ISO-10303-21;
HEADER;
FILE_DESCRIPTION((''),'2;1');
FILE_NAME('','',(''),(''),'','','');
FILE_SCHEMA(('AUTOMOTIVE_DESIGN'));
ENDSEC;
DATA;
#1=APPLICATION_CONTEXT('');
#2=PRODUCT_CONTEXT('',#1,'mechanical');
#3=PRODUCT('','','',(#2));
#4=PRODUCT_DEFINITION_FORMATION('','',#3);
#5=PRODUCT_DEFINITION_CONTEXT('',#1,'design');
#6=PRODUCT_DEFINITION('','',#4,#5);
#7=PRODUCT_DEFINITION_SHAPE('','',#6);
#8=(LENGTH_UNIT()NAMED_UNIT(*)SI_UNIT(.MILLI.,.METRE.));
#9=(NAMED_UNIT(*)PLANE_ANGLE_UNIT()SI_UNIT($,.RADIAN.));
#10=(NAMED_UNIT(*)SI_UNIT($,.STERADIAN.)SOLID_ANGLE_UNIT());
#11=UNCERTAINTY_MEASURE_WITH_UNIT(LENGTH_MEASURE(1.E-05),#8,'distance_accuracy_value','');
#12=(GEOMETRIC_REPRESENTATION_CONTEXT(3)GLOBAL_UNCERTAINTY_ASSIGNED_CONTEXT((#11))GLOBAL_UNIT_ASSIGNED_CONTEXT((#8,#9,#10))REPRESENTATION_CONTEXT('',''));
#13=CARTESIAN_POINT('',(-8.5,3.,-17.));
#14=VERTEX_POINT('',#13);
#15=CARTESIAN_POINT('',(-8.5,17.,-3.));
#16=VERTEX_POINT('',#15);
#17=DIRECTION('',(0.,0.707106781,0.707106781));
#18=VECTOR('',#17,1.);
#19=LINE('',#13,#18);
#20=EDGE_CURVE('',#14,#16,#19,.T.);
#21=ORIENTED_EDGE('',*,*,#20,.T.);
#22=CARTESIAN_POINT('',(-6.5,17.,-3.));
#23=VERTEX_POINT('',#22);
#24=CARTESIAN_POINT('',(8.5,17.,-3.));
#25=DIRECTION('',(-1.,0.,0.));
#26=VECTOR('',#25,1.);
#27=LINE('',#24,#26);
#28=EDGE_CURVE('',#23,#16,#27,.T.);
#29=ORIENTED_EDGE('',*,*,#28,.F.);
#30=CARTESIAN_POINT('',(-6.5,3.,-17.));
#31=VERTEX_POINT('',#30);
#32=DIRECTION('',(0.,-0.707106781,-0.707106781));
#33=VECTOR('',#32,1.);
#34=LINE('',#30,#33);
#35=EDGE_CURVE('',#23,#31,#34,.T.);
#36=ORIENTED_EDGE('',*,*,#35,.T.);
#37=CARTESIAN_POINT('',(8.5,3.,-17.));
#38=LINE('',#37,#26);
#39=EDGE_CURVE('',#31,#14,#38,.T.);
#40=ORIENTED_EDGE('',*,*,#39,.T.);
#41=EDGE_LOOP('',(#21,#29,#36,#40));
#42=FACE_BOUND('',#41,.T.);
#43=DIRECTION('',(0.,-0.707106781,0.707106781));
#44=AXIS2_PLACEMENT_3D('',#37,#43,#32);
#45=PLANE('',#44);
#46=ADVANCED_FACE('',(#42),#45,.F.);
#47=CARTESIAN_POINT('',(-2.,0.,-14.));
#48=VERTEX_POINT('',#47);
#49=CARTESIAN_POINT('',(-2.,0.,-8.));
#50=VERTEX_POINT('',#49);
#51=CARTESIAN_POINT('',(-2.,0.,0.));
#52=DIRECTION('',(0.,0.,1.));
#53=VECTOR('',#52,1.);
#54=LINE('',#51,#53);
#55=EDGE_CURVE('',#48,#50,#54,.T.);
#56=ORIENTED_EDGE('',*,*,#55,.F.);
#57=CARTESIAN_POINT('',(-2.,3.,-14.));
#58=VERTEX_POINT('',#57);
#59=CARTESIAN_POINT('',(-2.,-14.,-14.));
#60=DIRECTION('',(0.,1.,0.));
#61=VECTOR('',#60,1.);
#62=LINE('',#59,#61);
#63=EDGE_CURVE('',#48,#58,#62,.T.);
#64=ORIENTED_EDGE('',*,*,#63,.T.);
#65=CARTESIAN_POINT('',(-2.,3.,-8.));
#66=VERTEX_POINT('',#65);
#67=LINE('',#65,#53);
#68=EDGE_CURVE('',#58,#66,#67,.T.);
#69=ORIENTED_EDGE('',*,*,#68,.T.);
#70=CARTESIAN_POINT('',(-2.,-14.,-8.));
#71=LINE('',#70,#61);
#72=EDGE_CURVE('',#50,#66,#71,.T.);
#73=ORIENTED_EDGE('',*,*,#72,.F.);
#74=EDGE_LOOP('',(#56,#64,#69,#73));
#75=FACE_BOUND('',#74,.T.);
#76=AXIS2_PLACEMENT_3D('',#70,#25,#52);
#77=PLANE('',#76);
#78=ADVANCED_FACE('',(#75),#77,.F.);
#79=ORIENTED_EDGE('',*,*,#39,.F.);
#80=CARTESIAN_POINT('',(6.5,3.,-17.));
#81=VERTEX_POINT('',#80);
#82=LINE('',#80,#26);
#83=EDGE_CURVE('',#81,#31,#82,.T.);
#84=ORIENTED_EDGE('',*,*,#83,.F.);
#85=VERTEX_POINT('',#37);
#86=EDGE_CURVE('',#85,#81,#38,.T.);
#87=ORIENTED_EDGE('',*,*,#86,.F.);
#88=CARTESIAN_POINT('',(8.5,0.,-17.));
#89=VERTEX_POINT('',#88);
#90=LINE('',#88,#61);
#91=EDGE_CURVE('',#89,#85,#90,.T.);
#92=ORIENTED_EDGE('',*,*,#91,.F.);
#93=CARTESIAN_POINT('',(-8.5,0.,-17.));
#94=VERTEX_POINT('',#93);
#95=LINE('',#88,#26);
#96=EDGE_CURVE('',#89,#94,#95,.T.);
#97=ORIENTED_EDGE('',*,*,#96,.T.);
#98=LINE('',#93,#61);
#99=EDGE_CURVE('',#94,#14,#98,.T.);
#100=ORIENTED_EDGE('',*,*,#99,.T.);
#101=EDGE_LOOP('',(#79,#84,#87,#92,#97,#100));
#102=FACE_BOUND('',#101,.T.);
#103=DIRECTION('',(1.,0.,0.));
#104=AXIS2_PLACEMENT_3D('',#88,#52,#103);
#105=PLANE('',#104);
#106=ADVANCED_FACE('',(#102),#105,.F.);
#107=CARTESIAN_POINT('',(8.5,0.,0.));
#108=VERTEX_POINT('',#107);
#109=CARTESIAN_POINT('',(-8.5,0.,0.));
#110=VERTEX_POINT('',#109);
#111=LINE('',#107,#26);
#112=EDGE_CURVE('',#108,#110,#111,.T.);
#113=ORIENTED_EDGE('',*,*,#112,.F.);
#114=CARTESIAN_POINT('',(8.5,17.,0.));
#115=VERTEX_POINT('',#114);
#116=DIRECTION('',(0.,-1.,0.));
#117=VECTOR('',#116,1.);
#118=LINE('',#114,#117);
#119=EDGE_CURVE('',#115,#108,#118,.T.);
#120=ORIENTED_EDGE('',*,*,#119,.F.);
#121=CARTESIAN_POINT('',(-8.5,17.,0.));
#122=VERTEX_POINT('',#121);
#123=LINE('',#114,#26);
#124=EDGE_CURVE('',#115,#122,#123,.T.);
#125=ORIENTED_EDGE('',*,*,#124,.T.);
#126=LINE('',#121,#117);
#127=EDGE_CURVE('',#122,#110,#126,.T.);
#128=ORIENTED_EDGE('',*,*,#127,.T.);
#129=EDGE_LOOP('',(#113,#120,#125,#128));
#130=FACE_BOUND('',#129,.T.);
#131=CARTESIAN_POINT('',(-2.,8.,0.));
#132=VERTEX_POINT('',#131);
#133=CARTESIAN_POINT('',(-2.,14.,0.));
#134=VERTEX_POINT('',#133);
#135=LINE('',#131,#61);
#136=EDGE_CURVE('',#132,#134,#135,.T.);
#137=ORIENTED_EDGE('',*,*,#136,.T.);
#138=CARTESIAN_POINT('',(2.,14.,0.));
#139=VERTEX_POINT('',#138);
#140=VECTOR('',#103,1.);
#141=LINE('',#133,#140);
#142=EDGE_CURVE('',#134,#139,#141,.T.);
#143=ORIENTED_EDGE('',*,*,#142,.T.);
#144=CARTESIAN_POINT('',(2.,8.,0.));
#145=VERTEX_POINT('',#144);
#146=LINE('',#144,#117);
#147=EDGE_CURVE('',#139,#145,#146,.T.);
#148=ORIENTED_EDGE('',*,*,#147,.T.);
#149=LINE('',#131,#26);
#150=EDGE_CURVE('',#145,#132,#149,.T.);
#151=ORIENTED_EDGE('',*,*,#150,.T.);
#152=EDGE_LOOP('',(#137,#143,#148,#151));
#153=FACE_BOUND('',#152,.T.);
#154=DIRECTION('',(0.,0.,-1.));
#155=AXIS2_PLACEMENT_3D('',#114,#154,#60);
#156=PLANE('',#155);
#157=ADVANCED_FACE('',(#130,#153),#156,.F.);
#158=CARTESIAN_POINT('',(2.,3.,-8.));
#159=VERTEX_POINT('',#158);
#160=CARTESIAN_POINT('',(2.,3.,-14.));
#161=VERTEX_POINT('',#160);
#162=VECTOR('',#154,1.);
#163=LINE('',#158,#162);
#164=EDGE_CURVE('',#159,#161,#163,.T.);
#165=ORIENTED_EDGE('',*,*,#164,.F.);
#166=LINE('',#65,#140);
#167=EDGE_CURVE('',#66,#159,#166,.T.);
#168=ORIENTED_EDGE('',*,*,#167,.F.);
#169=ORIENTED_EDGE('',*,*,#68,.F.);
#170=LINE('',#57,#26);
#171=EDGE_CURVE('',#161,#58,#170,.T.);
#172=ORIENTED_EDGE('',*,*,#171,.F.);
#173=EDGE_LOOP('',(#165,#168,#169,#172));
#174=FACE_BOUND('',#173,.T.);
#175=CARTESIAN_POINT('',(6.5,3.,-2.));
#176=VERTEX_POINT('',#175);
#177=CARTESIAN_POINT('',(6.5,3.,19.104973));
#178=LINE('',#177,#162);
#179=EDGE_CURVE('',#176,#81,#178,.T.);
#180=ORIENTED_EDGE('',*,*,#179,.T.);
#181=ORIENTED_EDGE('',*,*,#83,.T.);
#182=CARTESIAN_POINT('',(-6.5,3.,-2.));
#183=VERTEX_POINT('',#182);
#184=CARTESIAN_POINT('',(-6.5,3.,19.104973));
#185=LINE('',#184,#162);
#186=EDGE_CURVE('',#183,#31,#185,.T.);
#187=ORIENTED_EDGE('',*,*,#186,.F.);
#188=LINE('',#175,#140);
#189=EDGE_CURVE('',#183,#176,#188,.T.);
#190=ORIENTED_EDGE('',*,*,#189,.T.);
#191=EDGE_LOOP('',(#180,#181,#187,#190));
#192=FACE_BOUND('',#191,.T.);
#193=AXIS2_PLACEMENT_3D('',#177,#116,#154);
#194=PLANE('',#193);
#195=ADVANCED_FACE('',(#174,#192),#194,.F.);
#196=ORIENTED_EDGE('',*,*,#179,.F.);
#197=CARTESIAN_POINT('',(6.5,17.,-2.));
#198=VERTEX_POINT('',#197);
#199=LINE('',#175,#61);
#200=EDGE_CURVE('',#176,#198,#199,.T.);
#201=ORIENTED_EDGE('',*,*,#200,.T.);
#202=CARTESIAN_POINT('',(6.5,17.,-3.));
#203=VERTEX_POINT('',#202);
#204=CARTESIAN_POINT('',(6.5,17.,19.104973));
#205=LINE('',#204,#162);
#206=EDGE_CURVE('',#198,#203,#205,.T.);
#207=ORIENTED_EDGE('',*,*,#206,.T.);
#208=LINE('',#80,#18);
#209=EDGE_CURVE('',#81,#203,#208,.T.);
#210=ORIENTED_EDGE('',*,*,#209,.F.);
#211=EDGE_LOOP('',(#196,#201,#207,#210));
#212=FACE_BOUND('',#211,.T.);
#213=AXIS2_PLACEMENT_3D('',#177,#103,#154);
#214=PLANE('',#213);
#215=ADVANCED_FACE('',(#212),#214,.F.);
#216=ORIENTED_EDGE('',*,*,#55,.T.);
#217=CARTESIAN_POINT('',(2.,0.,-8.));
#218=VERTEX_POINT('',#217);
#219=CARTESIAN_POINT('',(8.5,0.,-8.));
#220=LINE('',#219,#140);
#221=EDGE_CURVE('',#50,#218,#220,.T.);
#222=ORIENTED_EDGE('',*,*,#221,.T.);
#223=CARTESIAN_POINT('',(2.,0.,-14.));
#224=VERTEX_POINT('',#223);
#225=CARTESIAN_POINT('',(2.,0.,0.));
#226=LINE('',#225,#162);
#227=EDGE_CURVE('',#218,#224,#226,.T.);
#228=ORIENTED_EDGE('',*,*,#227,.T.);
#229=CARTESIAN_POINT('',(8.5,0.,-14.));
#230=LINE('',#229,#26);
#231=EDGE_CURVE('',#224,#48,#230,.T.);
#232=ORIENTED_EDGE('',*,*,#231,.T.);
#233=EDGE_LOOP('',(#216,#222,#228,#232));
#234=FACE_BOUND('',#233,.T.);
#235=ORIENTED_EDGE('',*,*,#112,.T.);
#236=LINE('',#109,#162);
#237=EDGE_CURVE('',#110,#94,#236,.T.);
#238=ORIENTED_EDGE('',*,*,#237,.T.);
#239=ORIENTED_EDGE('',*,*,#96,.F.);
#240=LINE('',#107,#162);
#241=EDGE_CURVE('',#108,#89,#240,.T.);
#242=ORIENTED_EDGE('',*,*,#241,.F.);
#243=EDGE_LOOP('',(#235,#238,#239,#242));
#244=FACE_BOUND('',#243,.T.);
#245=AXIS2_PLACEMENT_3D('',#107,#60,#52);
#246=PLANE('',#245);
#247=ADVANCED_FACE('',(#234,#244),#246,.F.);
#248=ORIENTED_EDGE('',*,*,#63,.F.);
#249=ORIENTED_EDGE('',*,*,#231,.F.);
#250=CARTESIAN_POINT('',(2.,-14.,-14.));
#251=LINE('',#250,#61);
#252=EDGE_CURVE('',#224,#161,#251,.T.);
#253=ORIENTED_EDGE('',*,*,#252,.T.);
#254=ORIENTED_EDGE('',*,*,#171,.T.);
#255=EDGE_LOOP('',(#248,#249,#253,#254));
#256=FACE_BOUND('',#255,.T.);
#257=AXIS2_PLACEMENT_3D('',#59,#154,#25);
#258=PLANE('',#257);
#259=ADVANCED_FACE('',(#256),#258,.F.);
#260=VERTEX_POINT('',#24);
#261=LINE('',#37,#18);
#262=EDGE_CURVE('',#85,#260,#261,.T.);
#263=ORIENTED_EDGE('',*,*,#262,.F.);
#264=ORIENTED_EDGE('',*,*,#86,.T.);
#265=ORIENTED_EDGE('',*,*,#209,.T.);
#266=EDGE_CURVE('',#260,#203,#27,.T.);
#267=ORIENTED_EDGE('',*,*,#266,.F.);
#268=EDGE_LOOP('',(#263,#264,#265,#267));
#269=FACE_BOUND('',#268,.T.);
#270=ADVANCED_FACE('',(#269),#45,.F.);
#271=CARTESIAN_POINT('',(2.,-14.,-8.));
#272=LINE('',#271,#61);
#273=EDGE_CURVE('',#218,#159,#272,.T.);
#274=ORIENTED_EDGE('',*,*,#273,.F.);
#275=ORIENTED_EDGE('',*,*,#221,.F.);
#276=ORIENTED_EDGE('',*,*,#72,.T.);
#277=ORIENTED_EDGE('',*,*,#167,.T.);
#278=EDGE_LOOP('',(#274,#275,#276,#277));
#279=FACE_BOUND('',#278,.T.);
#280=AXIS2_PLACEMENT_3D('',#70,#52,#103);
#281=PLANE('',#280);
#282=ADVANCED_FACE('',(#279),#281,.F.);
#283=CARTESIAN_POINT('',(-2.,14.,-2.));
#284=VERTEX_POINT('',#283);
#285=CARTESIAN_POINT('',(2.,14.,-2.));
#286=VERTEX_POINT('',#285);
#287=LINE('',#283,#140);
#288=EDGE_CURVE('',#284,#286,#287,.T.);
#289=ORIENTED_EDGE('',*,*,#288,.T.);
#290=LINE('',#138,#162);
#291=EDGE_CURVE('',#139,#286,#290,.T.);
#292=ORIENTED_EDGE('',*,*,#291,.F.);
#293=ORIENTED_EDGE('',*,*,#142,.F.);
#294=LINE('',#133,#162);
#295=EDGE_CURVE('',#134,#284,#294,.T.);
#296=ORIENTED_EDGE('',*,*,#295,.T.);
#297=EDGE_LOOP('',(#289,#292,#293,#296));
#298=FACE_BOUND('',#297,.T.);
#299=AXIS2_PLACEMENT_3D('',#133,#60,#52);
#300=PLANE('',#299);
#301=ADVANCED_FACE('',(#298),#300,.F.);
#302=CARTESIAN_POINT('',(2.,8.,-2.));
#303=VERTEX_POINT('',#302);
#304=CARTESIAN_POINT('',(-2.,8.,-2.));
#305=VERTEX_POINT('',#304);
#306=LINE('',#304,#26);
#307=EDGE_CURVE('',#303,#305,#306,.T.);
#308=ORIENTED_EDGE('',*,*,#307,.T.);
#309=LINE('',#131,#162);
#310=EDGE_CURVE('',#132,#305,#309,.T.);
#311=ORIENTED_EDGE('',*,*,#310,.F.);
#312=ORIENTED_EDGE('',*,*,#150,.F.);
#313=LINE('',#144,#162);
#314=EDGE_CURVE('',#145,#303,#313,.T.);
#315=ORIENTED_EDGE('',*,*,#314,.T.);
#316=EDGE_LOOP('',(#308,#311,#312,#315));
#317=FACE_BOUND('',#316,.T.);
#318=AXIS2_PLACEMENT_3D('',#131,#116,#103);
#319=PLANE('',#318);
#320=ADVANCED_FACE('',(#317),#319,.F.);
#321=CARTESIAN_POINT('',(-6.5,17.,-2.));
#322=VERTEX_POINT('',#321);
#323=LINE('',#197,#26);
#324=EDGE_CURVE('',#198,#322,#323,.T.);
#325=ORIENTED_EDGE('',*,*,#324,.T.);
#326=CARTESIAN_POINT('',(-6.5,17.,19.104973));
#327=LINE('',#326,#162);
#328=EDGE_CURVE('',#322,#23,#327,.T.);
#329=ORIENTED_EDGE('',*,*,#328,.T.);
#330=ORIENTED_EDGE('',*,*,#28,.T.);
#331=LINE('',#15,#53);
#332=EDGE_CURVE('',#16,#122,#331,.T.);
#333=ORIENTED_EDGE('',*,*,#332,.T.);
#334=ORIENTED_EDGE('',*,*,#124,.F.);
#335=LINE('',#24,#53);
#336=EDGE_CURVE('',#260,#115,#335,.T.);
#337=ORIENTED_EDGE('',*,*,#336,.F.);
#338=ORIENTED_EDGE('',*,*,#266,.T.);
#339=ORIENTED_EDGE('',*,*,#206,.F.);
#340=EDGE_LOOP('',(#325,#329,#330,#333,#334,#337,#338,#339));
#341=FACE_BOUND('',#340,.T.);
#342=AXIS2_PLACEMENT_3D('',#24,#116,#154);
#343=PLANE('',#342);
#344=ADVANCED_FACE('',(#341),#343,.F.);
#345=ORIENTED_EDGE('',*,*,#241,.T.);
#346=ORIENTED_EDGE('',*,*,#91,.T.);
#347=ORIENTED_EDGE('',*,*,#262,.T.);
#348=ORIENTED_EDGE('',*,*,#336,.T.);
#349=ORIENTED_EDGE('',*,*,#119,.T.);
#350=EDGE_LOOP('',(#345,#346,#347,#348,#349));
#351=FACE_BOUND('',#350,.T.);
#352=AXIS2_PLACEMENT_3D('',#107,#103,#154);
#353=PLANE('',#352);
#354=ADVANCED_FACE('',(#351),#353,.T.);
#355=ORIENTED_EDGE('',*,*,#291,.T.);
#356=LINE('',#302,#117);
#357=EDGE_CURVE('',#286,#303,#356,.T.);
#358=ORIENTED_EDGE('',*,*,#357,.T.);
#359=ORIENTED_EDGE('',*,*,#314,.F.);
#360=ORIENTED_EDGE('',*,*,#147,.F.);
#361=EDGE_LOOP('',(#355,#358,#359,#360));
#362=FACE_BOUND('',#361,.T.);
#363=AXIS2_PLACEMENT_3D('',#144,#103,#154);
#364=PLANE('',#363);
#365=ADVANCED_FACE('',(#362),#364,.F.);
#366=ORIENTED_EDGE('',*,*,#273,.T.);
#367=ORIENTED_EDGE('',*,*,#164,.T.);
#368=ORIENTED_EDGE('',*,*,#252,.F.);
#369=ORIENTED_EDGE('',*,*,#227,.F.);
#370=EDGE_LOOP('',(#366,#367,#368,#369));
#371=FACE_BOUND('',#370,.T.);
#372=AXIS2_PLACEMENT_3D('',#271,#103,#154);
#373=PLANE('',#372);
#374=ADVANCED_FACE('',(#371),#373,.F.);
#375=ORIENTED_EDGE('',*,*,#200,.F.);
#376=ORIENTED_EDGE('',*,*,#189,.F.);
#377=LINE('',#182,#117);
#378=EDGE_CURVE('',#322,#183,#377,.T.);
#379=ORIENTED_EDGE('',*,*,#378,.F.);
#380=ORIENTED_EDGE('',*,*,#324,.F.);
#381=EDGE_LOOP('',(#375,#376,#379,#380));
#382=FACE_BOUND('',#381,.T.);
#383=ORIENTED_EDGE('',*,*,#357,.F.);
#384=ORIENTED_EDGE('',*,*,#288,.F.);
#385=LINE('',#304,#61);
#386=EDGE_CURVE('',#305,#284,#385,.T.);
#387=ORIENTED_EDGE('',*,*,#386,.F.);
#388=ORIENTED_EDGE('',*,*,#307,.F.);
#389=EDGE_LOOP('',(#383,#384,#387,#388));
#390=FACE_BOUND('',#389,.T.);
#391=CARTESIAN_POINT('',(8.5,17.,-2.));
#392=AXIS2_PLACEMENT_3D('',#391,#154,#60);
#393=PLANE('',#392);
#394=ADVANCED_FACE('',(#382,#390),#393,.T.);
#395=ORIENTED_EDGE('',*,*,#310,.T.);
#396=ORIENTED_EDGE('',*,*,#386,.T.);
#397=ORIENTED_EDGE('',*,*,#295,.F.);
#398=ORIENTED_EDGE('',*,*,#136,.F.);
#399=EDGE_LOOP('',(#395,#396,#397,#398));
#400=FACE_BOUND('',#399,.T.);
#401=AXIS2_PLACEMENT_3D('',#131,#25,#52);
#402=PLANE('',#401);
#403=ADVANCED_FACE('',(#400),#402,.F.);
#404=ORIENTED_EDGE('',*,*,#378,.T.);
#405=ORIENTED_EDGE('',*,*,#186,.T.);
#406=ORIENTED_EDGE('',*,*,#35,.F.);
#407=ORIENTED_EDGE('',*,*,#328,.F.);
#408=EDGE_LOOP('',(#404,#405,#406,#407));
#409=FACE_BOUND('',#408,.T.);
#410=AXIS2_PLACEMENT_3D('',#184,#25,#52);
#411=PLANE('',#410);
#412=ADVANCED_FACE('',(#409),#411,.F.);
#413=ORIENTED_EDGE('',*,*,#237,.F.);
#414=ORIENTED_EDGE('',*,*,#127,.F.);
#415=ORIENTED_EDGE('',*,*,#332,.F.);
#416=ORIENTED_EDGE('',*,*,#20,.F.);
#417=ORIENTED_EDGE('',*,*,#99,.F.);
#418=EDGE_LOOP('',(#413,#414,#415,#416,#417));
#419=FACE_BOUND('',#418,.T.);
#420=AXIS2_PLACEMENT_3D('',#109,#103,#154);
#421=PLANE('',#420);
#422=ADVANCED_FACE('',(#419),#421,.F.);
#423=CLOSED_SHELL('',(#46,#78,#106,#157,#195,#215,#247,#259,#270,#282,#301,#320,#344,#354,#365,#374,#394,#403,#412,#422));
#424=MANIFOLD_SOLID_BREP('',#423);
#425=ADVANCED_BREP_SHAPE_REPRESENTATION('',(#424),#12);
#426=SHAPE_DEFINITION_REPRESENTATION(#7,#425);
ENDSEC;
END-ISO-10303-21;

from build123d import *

# Parameters (mm, degrees)
BODY_DEPTH     = 8.5
SKETCH2_W      = 13
SKETCH2_H      = 14
EXTUSION_DEPTH = 15
SKETCH3_W      = 4
SKETCH3_H      = 6
HOLE_A_DEPTH   = 25.212600026
SKETCH4_W      = 4
SKETCH4_H      = 6
HOLE_B_DEPTH   = 17


with BuildPart() as part:
    # Sketch1 → Body (new, symmetric)
    with BuildSketch(Plane(origin=(0, 0, 0), x_dir=(0, 0, -1), z_dir=(1, 0, 0))):
        Polygon((3, 17), (0, 17), (0, 0), (17, 0), (17, 3), align=None)
    extrude(amount=BODY_DEPTH, both=True)

    # Sketch2 → Extusion (cut)
    with BuildSketch(Plane(origin=(0, 0, -17), x_dir=(-1, 0, 0), z_dir=(0, 0, -1))):
        with Locations((0, 10)):
            Rectangle(SKETCH2_W, SKETCH2_H)
    extrude(amount=-EXTUSION_DEPTH, mode=Mode.SUBTRACT)

    # Sketch3 → Hole_A (cut, through all)
    with BuildSketch(Plane(origin=(0, 0, -2), x_dir=(-1, 0, 0), z_dir=(0, 0, -1))):
        with Locations((0, 11)):
            Rectangle(SKETCH3_W, SKETCH3_H)
    extrude(amount=-HOLE_A_DEPTH, mode=Mode.SUBTRACT)

    # Sketch4 → Hole_B (cut)
    with BuildSketch(Plane(origin=(0, 3, 0), x_dir=(1, 0, 0), z_dir=(0, 1, 0))):
        with Locations((0, 11)):
            Rectangle(SKETCH4_W, SKETCH4_H)
    extrude(amount=-HOLE_B_DEPTH, mode=Mode.SUBTRACT)


solid = part.part
